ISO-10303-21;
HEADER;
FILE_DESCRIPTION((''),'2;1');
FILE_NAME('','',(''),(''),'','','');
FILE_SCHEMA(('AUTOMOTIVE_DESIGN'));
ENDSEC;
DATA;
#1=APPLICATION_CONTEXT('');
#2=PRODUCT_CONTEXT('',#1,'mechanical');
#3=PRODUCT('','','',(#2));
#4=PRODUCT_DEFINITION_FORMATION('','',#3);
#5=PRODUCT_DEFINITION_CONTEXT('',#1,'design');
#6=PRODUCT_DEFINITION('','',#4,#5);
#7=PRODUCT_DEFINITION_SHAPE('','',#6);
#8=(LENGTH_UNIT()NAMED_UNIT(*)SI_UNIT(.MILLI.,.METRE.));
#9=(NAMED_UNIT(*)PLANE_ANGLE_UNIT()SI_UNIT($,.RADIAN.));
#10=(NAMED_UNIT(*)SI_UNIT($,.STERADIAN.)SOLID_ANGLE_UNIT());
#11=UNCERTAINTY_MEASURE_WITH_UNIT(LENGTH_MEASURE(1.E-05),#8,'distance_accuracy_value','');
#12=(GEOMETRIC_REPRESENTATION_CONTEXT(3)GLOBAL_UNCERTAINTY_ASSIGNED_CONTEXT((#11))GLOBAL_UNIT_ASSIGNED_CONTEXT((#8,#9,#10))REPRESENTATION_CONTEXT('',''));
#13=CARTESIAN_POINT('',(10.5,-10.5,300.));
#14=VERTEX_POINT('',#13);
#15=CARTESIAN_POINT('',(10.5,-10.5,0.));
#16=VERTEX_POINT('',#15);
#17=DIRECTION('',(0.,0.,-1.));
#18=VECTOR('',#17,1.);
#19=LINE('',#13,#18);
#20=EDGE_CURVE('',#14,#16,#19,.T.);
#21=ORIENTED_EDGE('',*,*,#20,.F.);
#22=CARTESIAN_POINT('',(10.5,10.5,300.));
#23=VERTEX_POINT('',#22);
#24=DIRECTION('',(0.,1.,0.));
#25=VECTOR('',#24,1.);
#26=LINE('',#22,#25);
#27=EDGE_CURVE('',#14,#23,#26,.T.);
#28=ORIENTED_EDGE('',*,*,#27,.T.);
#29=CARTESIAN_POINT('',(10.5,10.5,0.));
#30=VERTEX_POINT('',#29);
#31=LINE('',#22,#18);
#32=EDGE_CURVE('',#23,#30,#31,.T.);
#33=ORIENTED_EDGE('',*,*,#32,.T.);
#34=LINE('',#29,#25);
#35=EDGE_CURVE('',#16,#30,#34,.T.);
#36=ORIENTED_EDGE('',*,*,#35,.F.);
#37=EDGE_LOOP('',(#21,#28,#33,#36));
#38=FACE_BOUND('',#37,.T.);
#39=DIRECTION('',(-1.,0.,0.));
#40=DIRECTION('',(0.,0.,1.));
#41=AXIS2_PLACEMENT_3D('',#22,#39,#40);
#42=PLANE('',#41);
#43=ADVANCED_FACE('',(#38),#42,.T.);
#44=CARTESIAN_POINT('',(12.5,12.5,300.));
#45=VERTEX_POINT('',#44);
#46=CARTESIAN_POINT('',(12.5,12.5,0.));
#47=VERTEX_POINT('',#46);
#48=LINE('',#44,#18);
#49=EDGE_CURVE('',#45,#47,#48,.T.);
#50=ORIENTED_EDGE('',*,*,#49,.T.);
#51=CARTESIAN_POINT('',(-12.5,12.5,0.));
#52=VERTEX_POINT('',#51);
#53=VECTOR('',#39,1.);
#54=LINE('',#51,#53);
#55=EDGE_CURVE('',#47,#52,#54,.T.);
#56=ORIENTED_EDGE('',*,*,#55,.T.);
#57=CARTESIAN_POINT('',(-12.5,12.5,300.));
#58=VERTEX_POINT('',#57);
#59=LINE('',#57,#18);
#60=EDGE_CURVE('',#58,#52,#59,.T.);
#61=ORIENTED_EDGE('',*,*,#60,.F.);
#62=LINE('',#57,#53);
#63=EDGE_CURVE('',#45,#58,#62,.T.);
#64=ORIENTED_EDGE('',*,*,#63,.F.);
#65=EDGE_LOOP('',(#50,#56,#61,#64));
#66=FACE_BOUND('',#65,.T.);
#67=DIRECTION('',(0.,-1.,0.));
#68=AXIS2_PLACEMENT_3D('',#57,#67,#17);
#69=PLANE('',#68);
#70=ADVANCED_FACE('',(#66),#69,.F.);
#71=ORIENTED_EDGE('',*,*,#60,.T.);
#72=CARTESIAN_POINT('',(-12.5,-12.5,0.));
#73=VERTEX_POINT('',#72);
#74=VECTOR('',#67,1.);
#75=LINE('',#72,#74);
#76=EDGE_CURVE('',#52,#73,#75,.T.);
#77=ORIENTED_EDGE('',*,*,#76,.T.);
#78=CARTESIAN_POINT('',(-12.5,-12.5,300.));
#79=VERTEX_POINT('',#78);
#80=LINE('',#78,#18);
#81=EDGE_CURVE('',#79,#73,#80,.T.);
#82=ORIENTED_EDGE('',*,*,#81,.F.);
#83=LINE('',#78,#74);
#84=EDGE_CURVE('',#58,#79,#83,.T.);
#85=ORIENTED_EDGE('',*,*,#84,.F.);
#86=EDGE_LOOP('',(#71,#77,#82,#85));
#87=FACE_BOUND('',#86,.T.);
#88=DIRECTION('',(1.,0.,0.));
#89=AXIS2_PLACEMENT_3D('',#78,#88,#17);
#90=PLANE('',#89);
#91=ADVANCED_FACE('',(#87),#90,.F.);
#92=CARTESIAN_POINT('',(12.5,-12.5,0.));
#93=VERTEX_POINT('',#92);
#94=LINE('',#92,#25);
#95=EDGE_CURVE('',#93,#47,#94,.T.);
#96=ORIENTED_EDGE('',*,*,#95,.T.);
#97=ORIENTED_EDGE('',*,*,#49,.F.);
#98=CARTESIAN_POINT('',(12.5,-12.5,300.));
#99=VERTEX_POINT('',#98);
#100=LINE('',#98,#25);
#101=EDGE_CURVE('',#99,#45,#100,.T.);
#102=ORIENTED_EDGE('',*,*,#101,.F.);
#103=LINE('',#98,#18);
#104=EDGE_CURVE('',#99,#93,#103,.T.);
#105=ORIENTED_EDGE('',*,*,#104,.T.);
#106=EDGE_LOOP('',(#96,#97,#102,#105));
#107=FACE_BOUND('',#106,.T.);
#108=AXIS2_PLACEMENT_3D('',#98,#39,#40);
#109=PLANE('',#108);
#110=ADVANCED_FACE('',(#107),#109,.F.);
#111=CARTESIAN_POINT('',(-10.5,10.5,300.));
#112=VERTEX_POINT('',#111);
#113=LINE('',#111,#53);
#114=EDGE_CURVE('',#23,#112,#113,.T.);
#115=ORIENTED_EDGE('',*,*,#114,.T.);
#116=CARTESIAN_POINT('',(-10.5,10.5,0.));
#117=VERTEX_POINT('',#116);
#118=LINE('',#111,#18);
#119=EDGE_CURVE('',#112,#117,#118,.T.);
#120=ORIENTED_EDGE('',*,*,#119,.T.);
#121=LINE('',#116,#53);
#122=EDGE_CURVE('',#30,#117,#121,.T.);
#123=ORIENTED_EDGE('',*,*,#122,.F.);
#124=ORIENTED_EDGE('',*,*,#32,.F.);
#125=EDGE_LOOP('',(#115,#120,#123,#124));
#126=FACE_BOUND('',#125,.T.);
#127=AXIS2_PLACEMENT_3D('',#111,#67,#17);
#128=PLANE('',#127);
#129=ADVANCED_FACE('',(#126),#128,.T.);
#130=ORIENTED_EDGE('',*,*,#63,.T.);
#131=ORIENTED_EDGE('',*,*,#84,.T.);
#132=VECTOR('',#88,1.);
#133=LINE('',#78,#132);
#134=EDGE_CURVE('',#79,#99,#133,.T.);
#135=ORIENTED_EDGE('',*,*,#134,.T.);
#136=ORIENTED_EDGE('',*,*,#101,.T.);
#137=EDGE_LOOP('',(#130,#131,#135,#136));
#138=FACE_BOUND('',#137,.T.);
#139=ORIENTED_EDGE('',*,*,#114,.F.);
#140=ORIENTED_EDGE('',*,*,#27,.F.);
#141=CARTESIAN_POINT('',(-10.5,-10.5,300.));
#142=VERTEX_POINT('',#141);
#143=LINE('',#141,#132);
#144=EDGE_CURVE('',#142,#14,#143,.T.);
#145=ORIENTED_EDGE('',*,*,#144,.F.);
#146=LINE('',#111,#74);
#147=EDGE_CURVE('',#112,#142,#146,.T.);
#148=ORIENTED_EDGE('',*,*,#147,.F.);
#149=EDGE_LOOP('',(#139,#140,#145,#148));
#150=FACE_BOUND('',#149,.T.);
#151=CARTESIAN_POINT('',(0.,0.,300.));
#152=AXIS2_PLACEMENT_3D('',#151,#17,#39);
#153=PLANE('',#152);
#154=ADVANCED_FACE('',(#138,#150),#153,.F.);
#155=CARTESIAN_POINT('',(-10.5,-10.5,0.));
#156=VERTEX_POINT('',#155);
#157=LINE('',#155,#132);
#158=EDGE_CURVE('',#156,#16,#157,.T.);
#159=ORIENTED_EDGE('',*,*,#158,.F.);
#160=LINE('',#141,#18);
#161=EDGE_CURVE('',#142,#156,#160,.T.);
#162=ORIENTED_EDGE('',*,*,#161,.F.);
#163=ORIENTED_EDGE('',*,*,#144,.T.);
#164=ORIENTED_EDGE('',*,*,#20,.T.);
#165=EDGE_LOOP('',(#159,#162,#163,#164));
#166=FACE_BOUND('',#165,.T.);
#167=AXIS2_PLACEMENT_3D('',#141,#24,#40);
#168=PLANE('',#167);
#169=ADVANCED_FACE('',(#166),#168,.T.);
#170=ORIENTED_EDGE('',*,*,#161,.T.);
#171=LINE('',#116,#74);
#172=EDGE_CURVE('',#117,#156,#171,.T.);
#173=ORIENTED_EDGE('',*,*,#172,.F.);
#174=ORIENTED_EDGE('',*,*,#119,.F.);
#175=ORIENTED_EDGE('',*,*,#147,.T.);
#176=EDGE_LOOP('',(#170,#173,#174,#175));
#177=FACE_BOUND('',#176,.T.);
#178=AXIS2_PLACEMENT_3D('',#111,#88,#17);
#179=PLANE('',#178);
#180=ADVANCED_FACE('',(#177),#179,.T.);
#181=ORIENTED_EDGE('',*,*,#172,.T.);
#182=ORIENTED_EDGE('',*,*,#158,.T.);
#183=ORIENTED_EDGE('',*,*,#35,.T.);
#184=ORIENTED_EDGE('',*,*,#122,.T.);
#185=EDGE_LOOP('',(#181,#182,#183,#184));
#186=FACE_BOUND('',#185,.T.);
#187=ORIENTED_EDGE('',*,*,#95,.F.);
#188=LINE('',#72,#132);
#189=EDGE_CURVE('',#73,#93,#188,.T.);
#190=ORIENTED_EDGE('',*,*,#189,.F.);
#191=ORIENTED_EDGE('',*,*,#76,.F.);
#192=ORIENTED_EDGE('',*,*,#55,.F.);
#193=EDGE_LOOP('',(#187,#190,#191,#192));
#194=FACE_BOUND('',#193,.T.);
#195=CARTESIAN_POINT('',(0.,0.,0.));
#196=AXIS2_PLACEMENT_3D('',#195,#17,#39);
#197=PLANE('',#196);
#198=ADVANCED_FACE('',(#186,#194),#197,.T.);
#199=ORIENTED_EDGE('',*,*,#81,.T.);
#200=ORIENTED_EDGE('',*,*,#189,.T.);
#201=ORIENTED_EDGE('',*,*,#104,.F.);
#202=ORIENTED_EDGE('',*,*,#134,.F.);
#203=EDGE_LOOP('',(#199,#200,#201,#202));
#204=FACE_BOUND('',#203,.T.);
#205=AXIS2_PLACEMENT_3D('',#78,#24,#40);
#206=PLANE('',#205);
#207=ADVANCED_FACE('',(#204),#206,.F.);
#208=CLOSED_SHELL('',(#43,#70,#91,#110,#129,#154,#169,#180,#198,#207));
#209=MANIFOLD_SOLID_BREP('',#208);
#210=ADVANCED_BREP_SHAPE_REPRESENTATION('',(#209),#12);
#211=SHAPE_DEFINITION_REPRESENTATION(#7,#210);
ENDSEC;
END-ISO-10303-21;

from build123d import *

# Parameters (mm, degrees)
SKETCH1_W           = 25
SKETCH1_H           = 25
SKETCH1_W_2         = 21
SKETCH1_H_2         = 21
BOSS_EXTRUDE1_DEPTH = 300


with BuildPart() as part:
    # Sketch1 → Boss-Extrude1 (new body)
    with BuildSketch(Plane.XY):
        Rectangle(SKETCH1_W, SKETCH1_H)
        Rectangle(SKETCH1_W_2, SKETCH1_H_2, mode=Mode.SUBTRACT)
    extrude(amount=BOSS_EXTRUDE1_DEPTH)


solid = part.part
